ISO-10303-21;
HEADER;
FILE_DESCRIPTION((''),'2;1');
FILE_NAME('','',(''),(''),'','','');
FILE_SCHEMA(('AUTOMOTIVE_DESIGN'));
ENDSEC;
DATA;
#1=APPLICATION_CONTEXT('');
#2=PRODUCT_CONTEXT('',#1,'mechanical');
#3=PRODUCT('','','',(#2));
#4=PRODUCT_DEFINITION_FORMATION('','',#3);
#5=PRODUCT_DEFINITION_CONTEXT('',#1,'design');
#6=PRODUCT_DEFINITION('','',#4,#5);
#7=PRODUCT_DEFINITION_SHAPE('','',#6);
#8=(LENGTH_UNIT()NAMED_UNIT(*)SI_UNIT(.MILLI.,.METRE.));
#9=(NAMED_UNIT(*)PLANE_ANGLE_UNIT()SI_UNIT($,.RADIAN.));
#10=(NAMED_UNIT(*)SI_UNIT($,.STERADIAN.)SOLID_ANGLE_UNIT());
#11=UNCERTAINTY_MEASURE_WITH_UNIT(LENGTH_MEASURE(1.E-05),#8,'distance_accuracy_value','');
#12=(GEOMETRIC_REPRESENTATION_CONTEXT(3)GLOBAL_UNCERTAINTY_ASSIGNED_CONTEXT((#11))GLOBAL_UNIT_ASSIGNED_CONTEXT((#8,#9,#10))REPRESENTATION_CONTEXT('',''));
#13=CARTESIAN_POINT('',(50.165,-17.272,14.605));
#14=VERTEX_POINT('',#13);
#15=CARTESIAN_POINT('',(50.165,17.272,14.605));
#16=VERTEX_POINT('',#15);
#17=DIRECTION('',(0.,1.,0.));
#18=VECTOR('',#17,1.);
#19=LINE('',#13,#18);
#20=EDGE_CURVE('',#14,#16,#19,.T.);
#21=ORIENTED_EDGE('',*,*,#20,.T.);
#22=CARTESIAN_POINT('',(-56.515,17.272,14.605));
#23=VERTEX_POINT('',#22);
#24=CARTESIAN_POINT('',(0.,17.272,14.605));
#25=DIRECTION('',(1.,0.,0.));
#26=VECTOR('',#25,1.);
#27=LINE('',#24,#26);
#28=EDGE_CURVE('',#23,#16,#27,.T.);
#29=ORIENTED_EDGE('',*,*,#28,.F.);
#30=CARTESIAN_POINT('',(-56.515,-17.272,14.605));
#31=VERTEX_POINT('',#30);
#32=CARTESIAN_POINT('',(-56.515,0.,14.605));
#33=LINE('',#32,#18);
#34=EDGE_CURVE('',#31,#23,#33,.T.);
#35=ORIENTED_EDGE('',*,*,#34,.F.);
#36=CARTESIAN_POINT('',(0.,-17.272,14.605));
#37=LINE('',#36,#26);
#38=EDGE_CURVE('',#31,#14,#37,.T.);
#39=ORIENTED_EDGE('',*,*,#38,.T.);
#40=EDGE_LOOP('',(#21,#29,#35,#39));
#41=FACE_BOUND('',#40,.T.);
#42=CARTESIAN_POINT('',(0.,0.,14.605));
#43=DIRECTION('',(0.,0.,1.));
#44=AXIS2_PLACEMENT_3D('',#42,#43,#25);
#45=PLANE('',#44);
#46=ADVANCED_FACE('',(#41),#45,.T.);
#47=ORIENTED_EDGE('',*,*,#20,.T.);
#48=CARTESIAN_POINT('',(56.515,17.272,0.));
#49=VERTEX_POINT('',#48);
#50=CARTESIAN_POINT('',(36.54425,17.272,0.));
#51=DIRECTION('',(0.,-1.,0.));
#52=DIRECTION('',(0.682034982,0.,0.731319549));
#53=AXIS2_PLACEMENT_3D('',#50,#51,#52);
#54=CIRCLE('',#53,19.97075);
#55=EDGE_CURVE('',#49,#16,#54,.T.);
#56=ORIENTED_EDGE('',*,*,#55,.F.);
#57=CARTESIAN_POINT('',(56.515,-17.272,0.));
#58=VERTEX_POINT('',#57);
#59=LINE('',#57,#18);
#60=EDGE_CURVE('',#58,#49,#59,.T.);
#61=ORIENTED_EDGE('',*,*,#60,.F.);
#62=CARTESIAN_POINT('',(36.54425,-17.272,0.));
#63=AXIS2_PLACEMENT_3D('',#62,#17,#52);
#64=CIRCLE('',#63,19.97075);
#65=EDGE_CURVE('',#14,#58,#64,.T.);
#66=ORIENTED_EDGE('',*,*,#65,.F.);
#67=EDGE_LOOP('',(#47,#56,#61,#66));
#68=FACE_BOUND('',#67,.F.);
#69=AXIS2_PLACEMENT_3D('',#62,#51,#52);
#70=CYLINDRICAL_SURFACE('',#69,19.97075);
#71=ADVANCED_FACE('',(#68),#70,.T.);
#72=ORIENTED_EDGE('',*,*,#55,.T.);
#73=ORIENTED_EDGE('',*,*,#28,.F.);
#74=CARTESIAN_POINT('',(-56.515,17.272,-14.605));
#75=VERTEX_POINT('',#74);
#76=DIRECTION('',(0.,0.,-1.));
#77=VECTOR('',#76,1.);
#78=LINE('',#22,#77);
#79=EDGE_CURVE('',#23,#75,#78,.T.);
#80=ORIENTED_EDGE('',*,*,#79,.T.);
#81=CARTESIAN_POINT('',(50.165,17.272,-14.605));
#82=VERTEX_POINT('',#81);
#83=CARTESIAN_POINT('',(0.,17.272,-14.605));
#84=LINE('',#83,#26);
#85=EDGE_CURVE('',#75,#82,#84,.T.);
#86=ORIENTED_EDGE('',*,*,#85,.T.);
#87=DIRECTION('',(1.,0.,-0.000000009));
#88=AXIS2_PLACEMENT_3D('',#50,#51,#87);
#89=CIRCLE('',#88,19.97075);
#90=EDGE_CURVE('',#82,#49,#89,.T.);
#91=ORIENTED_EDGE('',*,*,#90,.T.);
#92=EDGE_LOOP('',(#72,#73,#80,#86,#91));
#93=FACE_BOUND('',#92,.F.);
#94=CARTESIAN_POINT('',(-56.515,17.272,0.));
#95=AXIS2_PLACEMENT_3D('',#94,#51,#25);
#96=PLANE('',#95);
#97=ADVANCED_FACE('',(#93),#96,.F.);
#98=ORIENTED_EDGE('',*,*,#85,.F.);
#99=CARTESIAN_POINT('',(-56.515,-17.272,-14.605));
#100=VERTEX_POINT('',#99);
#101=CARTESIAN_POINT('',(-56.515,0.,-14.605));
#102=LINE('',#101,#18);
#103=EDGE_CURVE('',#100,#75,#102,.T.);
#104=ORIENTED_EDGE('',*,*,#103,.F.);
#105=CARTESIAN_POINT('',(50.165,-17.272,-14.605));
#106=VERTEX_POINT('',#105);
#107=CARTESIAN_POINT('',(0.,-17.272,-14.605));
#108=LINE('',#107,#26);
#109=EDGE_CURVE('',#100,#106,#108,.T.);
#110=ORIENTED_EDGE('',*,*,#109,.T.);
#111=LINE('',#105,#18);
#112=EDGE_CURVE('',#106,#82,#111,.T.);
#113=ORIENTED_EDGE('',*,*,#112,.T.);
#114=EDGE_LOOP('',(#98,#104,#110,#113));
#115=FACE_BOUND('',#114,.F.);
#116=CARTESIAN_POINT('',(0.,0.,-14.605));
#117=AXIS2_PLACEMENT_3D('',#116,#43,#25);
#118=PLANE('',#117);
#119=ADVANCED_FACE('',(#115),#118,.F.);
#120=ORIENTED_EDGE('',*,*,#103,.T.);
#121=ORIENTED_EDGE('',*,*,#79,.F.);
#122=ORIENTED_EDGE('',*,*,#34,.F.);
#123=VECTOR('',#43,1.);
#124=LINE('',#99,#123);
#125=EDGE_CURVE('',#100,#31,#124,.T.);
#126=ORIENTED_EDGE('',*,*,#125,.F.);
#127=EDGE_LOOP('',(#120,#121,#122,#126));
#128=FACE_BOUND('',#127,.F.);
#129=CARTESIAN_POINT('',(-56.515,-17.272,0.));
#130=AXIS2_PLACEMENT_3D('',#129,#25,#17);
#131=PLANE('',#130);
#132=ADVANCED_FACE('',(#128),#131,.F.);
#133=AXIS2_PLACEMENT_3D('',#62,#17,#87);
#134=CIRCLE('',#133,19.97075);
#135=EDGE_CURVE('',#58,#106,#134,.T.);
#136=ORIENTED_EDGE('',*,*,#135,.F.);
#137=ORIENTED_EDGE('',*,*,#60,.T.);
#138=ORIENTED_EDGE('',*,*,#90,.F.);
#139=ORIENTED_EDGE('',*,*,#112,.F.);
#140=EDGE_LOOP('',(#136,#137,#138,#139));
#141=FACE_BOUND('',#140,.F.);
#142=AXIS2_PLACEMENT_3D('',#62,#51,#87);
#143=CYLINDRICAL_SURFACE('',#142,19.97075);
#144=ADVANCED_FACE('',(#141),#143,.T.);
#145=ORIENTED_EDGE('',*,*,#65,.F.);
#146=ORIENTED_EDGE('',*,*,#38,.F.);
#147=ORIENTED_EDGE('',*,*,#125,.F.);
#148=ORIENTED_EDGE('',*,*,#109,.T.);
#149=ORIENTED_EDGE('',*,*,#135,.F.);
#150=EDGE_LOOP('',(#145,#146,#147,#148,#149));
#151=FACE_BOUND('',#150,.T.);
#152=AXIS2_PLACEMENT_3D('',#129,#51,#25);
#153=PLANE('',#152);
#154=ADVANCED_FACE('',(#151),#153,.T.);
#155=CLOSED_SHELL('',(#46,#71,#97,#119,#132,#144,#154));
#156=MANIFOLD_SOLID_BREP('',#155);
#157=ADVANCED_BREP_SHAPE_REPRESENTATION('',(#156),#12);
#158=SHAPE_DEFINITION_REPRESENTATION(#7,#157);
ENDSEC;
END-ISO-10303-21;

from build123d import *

# Parameters (mm, degrees)
F0_W     = 113.03
F0_H     = 34.544
F1_DEPTH = 14.605
F3_DEPTH = 34.545


with BuildPart() as f1:
    # F0 (on Top) → F1 (new body, symmetric)
    with BuildSketch(Plane.XY):
        Rectangle(F0_W, F0_H)
    extrude(amount=F1_DEPTH, both=True)

    # F2 (on face) → F3 (cut, through all)
    with BuildSketch(Plane.XZ.offset(17.272)):
        with BuildLine():
            ThreePointArc((50.165, 14.605), (54.858827, 7.962859), (56.515, 0))
            Line((56.515, 0), (56.515, 14.605))
            Line((56.515, 14.605), (50.165, 14.605))
        make_face()
        with BuildLine():
            ThreePointArc((56.515, 0), (54.858827, -7.962859), (50.165, -14.605))
            Line((50.165, -14.605), (56.515, -14.605))
            Line((56.515, -14.605), (56.515, 0))
        make_face()
    extrude(amount=-F3_DEPTH, mode=Mode.SUBTRACT)


solid = f1.part
